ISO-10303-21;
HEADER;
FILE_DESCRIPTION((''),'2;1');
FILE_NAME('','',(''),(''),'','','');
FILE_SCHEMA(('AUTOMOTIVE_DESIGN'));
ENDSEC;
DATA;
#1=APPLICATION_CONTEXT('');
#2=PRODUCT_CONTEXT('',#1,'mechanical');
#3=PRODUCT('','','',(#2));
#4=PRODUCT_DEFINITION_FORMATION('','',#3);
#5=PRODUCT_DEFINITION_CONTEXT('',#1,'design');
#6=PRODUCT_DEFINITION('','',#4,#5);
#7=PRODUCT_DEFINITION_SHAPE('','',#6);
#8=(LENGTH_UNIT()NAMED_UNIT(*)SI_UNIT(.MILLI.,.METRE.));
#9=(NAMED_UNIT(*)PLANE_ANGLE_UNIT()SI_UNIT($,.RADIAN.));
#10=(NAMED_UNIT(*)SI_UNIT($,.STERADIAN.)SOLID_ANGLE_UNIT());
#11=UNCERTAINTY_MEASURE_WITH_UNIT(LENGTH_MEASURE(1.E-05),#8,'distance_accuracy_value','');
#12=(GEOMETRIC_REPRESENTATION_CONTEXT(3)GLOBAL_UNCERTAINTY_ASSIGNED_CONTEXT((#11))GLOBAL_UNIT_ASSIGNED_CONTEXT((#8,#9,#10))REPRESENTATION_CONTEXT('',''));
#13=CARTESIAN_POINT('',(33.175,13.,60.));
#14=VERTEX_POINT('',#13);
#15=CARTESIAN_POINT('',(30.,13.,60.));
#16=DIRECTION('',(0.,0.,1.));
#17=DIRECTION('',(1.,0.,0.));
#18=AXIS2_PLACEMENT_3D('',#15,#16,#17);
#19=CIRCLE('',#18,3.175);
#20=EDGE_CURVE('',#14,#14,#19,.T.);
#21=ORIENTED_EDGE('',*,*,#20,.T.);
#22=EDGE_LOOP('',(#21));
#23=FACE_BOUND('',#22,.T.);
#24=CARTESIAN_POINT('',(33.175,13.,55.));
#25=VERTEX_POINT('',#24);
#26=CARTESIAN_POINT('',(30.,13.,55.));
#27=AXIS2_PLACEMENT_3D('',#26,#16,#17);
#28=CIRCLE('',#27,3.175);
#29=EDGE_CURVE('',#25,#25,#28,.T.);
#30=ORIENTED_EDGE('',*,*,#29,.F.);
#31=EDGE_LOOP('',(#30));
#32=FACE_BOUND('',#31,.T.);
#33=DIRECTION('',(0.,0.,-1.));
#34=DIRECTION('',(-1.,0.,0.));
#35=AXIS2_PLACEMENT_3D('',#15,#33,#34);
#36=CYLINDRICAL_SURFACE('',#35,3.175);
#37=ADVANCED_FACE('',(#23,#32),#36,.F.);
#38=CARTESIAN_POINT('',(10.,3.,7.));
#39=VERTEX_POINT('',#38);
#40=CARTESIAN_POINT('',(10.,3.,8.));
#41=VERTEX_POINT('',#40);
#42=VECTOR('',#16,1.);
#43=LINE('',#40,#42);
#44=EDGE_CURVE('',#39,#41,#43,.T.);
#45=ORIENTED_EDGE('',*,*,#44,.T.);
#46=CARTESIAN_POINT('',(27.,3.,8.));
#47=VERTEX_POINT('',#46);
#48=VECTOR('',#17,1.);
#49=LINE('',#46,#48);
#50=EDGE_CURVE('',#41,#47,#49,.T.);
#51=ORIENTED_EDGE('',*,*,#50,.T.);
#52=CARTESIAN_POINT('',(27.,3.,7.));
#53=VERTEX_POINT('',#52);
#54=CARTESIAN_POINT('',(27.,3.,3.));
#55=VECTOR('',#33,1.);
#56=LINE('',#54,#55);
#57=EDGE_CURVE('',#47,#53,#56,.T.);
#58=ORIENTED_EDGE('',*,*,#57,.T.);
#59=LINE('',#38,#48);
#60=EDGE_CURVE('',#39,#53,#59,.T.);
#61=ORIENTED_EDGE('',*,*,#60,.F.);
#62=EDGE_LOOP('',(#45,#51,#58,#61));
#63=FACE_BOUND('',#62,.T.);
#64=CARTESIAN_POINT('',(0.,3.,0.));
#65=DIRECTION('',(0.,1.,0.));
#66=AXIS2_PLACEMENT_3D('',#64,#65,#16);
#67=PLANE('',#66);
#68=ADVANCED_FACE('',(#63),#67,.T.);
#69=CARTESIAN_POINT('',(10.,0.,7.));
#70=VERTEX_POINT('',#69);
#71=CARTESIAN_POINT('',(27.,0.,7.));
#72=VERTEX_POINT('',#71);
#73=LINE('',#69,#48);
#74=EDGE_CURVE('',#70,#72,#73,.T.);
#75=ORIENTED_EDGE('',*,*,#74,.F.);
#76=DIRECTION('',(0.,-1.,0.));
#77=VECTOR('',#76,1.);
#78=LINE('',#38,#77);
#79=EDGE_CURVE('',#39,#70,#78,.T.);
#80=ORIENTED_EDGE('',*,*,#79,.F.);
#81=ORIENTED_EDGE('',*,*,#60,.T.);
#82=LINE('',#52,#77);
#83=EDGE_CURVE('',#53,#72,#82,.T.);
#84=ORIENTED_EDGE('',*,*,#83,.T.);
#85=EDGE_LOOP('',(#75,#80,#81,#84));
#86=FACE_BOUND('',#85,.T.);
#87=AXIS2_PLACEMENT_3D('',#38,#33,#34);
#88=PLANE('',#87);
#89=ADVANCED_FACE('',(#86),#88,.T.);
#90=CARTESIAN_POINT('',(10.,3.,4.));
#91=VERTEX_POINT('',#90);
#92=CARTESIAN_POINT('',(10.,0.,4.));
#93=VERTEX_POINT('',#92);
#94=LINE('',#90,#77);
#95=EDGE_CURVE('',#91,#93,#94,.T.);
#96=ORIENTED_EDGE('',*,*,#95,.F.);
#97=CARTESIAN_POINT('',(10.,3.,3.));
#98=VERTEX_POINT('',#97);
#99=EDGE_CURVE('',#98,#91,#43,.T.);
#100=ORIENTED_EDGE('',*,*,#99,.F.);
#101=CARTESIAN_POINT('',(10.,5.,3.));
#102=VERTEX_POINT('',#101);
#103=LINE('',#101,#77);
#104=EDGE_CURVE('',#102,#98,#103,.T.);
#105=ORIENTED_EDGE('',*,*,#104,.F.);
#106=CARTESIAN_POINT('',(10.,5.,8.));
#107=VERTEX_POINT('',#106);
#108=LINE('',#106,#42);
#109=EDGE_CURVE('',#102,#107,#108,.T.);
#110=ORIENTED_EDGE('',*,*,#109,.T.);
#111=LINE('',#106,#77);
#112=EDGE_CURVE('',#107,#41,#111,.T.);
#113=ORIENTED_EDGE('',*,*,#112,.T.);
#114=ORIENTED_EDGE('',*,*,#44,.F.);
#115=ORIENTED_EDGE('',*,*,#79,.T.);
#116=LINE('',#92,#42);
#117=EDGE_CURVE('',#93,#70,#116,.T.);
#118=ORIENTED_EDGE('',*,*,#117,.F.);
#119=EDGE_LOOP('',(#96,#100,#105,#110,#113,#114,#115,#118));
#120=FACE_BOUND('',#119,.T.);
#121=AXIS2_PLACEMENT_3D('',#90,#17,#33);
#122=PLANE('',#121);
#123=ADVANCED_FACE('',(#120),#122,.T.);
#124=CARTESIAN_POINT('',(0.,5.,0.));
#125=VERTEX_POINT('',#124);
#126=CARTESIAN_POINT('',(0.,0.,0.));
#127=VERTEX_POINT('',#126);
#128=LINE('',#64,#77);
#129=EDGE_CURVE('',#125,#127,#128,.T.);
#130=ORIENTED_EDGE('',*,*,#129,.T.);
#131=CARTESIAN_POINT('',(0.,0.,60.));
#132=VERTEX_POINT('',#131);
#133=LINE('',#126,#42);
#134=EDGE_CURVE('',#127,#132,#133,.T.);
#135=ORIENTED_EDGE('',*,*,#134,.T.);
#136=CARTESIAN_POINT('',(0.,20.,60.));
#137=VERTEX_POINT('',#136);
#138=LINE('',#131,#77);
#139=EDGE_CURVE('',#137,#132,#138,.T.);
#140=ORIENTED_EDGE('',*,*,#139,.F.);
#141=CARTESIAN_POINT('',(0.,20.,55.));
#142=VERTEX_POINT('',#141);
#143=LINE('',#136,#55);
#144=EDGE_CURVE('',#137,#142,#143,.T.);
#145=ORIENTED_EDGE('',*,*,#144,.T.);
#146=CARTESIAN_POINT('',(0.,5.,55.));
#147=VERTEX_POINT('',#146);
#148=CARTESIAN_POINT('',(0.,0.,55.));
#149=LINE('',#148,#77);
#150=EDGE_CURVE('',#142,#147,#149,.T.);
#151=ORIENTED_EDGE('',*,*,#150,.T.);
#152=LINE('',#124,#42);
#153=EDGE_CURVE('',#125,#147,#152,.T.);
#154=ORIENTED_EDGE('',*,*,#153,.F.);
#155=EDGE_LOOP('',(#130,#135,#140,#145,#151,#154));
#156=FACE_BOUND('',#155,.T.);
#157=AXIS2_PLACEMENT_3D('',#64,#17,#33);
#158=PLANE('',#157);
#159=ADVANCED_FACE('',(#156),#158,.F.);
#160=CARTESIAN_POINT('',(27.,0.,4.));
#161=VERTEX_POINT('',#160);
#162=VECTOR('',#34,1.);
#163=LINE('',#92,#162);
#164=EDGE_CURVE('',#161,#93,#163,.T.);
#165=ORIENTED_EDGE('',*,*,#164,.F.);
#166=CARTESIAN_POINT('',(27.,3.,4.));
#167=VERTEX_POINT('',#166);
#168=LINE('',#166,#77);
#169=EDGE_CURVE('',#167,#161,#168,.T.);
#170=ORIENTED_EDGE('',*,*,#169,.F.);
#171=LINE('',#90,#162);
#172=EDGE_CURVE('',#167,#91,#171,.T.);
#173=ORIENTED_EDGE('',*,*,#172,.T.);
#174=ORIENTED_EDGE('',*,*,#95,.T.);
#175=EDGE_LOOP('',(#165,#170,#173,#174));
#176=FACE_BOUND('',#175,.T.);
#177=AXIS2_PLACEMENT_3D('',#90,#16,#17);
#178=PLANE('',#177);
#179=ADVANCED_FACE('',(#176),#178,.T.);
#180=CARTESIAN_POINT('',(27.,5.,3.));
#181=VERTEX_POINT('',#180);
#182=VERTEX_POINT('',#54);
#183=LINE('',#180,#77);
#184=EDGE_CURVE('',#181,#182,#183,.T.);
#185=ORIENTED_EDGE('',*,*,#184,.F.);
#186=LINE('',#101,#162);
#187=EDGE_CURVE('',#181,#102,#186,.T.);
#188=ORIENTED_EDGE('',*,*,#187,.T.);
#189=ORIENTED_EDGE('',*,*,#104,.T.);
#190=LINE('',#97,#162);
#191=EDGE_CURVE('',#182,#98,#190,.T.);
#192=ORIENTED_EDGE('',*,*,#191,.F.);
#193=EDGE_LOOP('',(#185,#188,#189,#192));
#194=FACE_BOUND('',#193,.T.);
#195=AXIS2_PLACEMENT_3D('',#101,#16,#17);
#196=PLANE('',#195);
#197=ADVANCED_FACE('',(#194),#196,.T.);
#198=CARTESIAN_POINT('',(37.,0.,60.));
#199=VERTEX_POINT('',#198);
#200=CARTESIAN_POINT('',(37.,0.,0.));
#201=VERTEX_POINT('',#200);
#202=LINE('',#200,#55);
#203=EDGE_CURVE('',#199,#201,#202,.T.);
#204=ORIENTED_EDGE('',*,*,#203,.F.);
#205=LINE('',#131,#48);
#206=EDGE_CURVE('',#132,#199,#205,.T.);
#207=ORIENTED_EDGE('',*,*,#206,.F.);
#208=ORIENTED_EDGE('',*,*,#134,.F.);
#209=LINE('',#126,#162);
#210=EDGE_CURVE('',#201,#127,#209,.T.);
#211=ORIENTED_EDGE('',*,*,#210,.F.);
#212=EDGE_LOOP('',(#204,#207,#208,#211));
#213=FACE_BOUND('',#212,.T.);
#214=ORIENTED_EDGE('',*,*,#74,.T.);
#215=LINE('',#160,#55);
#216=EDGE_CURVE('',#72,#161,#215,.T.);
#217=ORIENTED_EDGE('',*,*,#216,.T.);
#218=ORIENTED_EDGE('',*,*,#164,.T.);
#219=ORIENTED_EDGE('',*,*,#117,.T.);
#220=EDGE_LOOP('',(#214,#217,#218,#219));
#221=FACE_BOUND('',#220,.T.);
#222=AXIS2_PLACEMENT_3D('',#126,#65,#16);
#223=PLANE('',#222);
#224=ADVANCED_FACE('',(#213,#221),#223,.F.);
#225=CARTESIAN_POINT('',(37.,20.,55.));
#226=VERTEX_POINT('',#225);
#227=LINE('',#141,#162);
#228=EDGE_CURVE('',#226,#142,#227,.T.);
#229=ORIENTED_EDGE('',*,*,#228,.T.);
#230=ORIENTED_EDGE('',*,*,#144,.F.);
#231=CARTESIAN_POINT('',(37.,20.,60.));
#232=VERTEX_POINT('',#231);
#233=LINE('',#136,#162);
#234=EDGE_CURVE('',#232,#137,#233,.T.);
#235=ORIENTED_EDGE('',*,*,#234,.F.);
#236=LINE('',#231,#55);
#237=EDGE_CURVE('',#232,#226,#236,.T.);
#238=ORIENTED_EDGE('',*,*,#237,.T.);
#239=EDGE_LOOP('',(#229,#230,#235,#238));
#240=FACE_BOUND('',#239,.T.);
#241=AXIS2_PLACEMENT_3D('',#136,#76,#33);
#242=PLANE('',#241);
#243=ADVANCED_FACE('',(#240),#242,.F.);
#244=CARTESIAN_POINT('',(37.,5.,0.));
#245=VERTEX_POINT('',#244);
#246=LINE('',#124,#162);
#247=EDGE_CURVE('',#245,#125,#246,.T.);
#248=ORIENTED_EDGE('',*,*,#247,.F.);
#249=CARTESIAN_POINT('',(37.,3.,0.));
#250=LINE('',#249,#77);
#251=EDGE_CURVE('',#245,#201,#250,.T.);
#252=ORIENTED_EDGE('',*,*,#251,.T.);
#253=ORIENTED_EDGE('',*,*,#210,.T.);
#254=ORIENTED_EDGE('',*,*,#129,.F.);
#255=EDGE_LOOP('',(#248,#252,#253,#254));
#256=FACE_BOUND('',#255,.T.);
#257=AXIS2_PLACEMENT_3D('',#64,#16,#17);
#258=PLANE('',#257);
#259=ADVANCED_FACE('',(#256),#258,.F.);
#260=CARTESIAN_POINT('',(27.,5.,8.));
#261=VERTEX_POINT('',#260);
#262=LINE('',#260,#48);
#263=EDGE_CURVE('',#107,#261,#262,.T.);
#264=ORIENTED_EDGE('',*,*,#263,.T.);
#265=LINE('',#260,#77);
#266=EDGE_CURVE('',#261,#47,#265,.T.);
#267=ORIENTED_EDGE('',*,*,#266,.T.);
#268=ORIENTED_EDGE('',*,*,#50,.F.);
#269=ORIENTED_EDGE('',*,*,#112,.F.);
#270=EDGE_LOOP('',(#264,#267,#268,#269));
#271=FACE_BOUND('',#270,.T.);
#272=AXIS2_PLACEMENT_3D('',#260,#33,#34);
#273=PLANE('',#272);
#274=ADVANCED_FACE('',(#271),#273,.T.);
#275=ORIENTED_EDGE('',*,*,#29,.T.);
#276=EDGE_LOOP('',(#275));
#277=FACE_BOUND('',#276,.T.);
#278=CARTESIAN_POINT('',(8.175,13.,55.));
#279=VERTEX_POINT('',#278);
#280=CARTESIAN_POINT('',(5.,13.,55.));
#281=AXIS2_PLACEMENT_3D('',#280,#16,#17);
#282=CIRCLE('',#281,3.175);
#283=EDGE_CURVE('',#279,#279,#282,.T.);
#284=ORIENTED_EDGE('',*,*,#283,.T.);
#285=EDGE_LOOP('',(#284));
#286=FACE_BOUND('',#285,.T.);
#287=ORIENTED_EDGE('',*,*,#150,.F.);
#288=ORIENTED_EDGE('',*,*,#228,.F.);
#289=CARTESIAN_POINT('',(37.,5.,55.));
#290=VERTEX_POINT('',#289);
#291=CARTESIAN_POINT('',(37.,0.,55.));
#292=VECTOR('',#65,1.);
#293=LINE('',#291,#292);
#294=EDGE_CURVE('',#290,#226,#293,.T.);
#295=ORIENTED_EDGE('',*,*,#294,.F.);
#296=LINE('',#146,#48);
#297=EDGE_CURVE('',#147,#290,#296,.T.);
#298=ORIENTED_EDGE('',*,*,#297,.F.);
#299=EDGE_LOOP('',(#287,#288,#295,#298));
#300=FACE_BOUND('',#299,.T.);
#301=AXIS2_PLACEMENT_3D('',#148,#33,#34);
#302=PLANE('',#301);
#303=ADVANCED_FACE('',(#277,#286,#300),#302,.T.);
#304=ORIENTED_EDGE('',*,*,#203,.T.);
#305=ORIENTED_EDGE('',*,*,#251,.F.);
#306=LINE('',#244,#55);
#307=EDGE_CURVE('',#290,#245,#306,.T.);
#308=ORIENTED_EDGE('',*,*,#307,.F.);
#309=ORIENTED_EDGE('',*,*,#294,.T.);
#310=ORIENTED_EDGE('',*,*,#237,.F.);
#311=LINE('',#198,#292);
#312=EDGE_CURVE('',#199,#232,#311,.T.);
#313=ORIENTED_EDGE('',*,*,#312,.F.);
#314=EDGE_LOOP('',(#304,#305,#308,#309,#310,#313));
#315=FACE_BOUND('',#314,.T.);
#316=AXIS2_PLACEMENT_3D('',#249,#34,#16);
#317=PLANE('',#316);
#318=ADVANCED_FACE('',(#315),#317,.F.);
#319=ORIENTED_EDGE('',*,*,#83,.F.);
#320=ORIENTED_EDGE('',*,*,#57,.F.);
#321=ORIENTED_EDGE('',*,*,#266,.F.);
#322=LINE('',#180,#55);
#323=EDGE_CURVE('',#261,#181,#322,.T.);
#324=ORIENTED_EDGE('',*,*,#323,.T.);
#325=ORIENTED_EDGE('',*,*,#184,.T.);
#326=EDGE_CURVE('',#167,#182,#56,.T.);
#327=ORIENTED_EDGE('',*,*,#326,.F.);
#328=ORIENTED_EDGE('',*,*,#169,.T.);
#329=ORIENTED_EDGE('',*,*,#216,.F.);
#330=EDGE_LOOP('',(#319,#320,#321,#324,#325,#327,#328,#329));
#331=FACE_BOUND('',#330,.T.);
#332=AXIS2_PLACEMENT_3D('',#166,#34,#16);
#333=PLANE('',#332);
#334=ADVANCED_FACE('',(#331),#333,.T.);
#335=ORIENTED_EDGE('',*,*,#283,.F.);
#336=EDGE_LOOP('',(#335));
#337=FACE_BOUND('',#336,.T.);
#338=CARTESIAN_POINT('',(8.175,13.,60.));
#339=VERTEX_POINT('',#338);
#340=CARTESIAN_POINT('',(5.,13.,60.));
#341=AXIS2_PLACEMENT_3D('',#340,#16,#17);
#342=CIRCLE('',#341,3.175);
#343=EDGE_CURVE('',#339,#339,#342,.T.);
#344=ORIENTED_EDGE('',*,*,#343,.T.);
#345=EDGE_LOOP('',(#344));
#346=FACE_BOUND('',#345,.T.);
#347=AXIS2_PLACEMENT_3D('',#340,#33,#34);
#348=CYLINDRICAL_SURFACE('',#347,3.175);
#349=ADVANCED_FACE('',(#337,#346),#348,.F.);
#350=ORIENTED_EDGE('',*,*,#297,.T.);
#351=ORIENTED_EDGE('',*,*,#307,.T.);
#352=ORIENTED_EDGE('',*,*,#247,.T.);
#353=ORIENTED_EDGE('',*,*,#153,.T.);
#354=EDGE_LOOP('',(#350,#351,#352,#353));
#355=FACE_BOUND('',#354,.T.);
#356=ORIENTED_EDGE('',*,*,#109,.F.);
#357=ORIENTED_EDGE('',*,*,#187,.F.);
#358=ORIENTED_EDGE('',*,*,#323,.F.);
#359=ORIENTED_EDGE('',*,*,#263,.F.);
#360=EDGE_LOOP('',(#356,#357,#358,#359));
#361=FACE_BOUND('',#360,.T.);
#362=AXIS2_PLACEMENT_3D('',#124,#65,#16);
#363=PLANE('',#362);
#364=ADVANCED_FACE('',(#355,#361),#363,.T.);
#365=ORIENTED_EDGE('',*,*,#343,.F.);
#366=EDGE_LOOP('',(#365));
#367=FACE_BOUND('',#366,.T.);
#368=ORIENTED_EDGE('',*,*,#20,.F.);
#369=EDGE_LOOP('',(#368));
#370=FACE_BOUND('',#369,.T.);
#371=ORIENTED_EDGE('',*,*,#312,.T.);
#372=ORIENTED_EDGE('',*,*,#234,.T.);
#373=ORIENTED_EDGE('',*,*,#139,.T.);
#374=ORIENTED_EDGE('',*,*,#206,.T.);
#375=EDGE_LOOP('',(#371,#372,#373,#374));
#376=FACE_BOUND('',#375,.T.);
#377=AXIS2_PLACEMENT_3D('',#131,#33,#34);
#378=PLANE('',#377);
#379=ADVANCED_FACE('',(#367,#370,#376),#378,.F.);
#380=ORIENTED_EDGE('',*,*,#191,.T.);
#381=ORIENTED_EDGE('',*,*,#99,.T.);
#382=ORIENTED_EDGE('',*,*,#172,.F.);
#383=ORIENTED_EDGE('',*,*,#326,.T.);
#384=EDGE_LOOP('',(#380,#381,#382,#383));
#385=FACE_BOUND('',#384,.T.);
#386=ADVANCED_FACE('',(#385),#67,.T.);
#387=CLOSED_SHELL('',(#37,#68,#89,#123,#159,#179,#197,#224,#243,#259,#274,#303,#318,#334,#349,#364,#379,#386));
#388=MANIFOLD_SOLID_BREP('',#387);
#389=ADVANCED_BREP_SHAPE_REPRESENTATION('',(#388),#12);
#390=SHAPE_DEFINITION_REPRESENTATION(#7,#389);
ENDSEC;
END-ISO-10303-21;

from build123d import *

# Parameters (mm, degrees)
SKETCH1_W           = 37
SKETCH1_H           = 55
SKETCH1_W_2         = 17
SKETCH1_H_2         = 3
BOSS_EXTRUDE1_DEPTH = 3
SKETCH2_W           = 37
SKETCH2_H           = 20
SKETCH2_R           = 3.175
BOSS_EXTRUDE2_DEPTH = 5
SKETCH3_W           = 37
SKETCH3_H           = 55
SKETCH3_W_2         = 17
SKETCH3_H_2         = 5
BOSS_EXTRUDE3_DEPTH = 2


with BuildPart() as part:
    # Sketch1 → Boss-Extrude1 (new body)
    with BuildSketch(Plane(origin=(0, 0, 0), x_dir=(1, 0, 0), z_dir=(0, 1, 0))):
        with Locations((18.5, -27.5)):
            Rectangle(SKETCH1_W, SKETCH1_H)
        with Locations((18.5, -5.5)):
            Rectangle(SKETCH1_W_2, SKETCH1_H_2, mode=Mode.SUBTRACT)
    extrude(amount=BOSS_EXTRUDE1_DEPTH)

    # Sketch2 → Boss-Extrude2 (add)
    with BuildSketch(Plane.XY.offset(55)):
        with Locations((18.5, 10)):
            Rectangle(SKETCH2_W, SKETCH2_H)
        with Locations((5, 13)):
            Circle(SKETCH2_R, mode=Mode.SUBTRACT)
        with Locations((30, 13)):
            Circle(SKETCH2_R, mode=Mode.SUBTRACT)
    extrude(amount=BOSS_EXTRUDE2_DEPTH)

    # Sketch3 → Boss-Extrude3 (add)
    with BuildSketch(Plane(origin=(0, 3, 0), x_dir=(1, 0, 0), z_dir=(0, 1, 0))):
        with Locations((18.5, -27.5)):
            Rectangle(SKETCH3_W, SKETCH3_H)
        with Locations((18.5, -5.5)):
            Rectangle(SKETCH3_W_2, SKETCH3_H_2, mode=Mode.SUBTRACT)
    extrude(amount=BOSS_EXTRUDE3_DEPTH)


solid = part.part
